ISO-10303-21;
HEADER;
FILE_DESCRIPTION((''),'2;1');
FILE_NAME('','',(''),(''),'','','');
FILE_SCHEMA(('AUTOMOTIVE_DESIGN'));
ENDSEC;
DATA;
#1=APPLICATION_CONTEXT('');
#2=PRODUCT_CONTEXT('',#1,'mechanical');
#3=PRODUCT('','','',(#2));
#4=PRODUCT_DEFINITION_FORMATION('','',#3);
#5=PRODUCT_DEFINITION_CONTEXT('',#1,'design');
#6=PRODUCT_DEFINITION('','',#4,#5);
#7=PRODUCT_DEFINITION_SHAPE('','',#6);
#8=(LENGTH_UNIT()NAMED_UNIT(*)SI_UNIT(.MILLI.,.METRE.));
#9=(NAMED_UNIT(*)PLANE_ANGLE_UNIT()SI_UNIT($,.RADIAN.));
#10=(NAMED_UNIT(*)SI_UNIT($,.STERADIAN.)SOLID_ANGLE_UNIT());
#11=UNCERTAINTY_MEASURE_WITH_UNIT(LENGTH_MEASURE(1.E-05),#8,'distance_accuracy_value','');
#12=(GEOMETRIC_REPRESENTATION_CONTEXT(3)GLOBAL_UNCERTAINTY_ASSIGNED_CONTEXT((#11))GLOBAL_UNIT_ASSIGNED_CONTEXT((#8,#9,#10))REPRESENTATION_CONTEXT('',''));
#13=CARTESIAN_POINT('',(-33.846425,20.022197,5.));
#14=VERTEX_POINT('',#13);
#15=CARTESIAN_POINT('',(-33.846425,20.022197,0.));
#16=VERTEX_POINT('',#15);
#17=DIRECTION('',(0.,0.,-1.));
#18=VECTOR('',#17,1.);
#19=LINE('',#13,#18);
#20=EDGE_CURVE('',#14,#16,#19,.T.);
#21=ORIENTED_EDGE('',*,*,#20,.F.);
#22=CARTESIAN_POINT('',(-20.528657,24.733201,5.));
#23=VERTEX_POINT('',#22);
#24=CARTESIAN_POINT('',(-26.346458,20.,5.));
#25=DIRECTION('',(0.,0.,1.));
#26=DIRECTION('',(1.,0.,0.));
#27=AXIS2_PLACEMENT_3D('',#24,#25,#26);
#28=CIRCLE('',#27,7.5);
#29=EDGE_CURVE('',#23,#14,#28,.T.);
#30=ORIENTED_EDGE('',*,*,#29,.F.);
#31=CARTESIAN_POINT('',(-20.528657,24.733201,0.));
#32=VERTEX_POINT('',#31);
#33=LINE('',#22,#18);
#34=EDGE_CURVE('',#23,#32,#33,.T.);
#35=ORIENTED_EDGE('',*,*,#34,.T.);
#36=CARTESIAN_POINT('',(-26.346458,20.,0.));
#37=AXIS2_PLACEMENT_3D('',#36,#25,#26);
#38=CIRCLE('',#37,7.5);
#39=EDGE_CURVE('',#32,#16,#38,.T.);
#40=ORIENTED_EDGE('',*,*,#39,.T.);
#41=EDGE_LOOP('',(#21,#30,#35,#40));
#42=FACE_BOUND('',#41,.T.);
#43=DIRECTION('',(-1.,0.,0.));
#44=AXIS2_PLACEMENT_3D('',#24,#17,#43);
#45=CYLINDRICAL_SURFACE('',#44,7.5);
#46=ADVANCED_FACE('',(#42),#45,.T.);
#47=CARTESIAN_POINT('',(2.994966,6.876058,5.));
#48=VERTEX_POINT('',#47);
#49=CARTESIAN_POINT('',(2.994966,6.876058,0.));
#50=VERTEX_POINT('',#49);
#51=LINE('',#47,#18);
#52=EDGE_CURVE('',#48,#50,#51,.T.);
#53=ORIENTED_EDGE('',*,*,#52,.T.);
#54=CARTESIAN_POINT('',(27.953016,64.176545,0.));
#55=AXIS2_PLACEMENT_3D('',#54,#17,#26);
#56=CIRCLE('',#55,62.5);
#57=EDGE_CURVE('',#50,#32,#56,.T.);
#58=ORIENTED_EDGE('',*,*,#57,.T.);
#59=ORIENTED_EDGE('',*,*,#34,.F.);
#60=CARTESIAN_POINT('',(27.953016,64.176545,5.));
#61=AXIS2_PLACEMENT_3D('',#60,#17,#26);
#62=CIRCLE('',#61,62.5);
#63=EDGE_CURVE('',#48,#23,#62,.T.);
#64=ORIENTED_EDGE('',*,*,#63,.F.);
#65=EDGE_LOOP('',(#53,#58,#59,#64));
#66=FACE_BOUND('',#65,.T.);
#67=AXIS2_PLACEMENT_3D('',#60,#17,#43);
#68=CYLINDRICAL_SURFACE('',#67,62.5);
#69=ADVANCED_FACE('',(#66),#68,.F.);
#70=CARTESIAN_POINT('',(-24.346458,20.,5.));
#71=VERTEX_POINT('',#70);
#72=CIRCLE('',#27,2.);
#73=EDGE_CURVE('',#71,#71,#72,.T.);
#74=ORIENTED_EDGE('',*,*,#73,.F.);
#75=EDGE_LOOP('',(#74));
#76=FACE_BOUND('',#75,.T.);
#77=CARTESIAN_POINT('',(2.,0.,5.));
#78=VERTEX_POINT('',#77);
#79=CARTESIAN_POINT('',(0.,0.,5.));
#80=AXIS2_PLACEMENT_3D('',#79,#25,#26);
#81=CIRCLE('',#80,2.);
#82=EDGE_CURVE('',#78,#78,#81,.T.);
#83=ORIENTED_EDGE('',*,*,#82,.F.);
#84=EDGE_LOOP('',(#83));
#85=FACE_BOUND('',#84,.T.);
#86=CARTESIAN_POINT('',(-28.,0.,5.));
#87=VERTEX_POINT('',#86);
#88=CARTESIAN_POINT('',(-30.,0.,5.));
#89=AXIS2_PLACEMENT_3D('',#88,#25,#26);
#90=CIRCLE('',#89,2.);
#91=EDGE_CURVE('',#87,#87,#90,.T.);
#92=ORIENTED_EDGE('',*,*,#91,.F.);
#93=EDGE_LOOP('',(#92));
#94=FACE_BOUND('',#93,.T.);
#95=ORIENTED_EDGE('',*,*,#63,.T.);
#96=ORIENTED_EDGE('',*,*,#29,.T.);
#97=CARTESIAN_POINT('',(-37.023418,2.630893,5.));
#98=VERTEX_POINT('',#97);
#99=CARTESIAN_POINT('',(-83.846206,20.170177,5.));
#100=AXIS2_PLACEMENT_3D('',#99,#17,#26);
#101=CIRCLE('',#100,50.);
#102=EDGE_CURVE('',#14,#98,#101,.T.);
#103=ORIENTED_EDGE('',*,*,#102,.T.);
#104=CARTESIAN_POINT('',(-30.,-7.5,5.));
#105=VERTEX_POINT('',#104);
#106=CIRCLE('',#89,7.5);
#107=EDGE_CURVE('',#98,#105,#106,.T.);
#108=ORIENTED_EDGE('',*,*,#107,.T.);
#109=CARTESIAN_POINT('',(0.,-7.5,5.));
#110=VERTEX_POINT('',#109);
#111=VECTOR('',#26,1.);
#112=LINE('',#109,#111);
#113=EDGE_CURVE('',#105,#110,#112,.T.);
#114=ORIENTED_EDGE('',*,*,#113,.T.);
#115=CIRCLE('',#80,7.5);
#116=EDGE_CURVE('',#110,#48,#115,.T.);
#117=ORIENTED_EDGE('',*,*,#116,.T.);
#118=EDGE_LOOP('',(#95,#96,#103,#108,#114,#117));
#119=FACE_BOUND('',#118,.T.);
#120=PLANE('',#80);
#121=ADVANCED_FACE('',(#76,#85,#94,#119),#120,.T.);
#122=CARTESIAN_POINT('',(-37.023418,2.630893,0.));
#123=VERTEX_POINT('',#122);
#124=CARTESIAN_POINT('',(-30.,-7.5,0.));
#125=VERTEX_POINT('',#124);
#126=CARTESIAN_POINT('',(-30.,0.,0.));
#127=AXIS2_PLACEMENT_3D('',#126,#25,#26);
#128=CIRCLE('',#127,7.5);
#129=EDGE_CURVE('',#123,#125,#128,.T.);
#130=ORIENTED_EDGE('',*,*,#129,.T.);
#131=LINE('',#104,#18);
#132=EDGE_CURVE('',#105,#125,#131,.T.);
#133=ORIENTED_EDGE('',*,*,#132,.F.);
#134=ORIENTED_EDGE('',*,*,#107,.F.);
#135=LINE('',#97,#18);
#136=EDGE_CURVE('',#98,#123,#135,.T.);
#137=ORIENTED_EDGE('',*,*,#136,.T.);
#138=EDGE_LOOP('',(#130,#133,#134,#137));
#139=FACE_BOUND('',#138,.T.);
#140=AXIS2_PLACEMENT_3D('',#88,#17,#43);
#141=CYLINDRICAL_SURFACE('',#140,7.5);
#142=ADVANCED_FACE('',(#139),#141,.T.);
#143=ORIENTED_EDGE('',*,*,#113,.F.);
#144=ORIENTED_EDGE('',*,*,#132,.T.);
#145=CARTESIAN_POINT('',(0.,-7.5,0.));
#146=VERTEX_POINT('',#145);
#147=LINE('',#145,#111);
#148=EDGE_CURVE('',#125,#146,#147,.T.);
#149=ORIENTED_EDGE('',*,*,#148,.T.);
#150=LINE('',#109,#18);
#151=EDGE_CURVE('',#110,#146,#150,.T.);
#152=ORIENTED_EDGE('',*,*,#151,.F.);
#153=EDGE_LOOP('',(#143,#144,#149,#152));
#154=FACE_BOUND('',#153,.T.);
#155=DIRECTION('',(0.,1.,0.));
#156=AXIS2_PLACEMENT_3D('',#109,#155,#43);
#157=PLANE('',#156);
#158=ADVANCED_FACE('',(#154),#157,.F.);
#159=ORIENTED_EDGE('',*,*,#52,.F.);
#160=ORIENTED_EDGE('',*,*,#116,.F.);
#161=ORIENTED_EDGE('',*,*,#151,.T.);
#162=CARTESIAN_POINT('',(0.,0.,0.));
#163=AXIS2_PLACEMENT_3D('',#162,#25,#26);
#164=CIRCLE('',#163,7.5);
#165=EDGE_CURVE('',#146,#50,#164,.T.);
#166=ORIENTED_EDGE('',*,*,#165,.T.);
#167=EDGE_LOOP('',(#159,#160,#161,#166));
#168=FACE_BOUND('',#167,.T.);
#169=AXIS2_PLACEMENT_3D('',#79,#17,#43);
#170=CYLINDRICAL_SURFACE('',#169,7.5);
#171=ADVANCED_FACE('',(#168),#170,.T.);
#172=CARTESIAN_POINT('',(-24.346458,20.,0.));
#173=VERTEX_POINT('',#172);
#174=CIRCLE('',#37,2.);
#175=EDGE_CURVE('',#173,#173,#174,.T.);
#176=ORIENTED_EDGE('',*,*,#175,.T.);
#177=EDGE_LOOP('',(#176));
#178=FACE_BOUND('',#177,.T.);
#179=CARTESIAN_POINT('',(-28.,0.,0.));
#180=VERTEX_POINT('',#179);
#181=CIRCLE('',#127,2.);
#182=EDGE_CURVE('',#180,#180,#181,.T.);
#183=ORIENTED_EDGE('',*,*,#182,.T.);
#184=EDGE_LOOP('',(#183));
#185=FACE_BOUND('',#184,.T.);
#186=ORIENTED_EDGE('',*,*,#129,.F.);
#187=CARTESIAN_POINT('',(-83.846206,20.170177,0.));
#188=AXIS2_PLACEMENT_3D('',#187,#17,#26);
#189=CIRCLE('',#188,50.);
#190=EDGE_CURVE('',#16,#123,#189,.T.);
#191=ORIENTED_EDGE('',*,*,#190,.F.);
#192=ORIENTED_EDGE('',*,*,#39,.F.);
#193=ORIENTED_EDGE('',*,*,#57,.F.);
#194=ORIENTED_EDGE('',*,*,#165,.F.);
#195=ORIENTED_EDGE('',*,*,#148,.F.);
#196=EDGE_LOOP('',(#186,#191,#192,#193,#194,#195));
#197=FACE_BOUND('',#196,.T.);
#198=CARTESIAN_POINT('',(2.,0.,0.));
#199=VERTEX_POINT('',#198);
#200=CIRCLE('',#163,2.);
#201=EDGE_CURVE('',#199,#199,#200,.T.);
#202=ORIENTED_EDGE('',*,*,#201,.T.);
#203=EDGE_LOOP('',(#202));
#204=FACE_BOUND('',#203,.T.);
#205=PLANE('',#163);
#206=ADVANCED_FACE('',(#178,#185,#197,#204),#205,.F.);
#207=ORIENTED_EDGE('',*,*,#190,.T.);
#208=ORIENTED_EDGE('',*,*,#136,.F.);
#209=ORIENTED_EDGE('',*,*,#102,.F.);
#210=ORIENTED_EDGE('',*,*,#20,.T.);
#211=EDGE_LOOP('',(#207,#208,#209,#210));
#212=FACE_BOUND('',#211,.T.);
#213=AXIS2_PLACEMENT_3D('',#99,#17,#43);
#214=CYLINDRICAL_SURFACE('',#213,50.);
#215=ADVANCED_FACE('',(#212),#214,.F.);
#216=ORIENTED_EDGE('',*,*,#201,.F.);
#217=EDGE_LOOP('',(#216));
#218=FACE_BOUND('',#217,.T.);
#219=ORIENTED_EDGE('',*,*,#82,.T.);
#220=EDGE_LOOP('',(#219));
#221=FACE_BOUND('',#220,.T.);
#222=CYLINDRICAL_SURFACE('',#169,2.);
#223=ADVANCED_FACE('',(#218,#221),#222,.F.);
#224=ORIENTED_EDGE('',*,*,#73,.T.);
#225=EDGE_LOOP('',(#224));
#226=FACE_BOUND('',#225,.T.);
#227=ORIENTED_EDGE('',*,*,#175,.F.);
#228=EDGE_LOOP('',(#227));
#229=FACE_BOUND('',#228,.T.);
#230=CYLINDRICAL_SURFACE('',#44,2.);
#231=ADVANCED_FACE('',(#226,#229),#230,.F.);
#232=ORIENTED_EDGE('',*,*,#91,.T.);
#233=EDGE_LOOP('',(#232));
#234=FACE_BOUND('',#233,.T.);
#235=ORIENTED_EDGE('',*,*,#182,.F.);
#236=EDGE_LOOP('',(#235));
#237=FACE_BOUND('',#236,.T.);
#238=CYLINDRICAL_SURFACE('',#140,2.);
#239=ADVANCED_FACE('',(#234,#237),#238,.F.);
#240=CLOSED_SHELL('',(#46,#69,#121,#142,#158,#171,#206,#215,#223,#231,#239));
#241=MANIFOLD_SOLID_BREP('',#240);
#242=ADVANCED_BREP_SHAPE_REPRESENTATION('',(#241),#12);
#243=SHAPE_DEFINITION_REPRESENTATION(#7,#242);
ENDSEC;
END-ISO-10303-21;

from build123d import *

# Parameters (mm, degrees)
SCHIZZO1_R                   = 2
ESTRUSIONE_ESTRUSIONE2_DEPTH = 5


with BuildPart() as part:
    # Schizzo1 → Estrusione-Estrusione2 (new body)
    with BuildSketch(Plane.XY):
        with BuildLine():
            Line((0, -7.5), (-30, -7.5))
            ThreePointArc((-30, -7.5), (-36.163671606, -4.273072938), (-37.023418224, 2.630892711))
            ThreePointArc((-37.023418224, 2.630892711), (-34.660163217, 11.185014243), (-33.846425364, 20.022197059))
            ThreePointArc((-33.846425364, 20.022197059), (-28.847620137, 27.070656902), (-20.528657412, 24.733201228))
            ThreePointArc((-20.528657412, 24.733201228), (-9.836766111, 14.395199143), (2.994965991, 6.87605837))
            ThreePointArc((2.994965991, 6.87605837), (7.342357856, -1.529634306), (0, -7.5))
        make_face()
        Circle(SCHIZZO1_R, mode=Mode.SUBTRACT)
        with Locations((-30, 0)):
            Circle(SCHIZZO1_R, mode=Mode.SUBTRACT)
        with Locations((-26.346458211, 20)):
            Circle(SCHIZZO1_R, mode=Mode.SUBTRACT)
    extrude(amount=ESTRUSIONE_ESTRUSIONE2_DEPTH)


solid = part.part
